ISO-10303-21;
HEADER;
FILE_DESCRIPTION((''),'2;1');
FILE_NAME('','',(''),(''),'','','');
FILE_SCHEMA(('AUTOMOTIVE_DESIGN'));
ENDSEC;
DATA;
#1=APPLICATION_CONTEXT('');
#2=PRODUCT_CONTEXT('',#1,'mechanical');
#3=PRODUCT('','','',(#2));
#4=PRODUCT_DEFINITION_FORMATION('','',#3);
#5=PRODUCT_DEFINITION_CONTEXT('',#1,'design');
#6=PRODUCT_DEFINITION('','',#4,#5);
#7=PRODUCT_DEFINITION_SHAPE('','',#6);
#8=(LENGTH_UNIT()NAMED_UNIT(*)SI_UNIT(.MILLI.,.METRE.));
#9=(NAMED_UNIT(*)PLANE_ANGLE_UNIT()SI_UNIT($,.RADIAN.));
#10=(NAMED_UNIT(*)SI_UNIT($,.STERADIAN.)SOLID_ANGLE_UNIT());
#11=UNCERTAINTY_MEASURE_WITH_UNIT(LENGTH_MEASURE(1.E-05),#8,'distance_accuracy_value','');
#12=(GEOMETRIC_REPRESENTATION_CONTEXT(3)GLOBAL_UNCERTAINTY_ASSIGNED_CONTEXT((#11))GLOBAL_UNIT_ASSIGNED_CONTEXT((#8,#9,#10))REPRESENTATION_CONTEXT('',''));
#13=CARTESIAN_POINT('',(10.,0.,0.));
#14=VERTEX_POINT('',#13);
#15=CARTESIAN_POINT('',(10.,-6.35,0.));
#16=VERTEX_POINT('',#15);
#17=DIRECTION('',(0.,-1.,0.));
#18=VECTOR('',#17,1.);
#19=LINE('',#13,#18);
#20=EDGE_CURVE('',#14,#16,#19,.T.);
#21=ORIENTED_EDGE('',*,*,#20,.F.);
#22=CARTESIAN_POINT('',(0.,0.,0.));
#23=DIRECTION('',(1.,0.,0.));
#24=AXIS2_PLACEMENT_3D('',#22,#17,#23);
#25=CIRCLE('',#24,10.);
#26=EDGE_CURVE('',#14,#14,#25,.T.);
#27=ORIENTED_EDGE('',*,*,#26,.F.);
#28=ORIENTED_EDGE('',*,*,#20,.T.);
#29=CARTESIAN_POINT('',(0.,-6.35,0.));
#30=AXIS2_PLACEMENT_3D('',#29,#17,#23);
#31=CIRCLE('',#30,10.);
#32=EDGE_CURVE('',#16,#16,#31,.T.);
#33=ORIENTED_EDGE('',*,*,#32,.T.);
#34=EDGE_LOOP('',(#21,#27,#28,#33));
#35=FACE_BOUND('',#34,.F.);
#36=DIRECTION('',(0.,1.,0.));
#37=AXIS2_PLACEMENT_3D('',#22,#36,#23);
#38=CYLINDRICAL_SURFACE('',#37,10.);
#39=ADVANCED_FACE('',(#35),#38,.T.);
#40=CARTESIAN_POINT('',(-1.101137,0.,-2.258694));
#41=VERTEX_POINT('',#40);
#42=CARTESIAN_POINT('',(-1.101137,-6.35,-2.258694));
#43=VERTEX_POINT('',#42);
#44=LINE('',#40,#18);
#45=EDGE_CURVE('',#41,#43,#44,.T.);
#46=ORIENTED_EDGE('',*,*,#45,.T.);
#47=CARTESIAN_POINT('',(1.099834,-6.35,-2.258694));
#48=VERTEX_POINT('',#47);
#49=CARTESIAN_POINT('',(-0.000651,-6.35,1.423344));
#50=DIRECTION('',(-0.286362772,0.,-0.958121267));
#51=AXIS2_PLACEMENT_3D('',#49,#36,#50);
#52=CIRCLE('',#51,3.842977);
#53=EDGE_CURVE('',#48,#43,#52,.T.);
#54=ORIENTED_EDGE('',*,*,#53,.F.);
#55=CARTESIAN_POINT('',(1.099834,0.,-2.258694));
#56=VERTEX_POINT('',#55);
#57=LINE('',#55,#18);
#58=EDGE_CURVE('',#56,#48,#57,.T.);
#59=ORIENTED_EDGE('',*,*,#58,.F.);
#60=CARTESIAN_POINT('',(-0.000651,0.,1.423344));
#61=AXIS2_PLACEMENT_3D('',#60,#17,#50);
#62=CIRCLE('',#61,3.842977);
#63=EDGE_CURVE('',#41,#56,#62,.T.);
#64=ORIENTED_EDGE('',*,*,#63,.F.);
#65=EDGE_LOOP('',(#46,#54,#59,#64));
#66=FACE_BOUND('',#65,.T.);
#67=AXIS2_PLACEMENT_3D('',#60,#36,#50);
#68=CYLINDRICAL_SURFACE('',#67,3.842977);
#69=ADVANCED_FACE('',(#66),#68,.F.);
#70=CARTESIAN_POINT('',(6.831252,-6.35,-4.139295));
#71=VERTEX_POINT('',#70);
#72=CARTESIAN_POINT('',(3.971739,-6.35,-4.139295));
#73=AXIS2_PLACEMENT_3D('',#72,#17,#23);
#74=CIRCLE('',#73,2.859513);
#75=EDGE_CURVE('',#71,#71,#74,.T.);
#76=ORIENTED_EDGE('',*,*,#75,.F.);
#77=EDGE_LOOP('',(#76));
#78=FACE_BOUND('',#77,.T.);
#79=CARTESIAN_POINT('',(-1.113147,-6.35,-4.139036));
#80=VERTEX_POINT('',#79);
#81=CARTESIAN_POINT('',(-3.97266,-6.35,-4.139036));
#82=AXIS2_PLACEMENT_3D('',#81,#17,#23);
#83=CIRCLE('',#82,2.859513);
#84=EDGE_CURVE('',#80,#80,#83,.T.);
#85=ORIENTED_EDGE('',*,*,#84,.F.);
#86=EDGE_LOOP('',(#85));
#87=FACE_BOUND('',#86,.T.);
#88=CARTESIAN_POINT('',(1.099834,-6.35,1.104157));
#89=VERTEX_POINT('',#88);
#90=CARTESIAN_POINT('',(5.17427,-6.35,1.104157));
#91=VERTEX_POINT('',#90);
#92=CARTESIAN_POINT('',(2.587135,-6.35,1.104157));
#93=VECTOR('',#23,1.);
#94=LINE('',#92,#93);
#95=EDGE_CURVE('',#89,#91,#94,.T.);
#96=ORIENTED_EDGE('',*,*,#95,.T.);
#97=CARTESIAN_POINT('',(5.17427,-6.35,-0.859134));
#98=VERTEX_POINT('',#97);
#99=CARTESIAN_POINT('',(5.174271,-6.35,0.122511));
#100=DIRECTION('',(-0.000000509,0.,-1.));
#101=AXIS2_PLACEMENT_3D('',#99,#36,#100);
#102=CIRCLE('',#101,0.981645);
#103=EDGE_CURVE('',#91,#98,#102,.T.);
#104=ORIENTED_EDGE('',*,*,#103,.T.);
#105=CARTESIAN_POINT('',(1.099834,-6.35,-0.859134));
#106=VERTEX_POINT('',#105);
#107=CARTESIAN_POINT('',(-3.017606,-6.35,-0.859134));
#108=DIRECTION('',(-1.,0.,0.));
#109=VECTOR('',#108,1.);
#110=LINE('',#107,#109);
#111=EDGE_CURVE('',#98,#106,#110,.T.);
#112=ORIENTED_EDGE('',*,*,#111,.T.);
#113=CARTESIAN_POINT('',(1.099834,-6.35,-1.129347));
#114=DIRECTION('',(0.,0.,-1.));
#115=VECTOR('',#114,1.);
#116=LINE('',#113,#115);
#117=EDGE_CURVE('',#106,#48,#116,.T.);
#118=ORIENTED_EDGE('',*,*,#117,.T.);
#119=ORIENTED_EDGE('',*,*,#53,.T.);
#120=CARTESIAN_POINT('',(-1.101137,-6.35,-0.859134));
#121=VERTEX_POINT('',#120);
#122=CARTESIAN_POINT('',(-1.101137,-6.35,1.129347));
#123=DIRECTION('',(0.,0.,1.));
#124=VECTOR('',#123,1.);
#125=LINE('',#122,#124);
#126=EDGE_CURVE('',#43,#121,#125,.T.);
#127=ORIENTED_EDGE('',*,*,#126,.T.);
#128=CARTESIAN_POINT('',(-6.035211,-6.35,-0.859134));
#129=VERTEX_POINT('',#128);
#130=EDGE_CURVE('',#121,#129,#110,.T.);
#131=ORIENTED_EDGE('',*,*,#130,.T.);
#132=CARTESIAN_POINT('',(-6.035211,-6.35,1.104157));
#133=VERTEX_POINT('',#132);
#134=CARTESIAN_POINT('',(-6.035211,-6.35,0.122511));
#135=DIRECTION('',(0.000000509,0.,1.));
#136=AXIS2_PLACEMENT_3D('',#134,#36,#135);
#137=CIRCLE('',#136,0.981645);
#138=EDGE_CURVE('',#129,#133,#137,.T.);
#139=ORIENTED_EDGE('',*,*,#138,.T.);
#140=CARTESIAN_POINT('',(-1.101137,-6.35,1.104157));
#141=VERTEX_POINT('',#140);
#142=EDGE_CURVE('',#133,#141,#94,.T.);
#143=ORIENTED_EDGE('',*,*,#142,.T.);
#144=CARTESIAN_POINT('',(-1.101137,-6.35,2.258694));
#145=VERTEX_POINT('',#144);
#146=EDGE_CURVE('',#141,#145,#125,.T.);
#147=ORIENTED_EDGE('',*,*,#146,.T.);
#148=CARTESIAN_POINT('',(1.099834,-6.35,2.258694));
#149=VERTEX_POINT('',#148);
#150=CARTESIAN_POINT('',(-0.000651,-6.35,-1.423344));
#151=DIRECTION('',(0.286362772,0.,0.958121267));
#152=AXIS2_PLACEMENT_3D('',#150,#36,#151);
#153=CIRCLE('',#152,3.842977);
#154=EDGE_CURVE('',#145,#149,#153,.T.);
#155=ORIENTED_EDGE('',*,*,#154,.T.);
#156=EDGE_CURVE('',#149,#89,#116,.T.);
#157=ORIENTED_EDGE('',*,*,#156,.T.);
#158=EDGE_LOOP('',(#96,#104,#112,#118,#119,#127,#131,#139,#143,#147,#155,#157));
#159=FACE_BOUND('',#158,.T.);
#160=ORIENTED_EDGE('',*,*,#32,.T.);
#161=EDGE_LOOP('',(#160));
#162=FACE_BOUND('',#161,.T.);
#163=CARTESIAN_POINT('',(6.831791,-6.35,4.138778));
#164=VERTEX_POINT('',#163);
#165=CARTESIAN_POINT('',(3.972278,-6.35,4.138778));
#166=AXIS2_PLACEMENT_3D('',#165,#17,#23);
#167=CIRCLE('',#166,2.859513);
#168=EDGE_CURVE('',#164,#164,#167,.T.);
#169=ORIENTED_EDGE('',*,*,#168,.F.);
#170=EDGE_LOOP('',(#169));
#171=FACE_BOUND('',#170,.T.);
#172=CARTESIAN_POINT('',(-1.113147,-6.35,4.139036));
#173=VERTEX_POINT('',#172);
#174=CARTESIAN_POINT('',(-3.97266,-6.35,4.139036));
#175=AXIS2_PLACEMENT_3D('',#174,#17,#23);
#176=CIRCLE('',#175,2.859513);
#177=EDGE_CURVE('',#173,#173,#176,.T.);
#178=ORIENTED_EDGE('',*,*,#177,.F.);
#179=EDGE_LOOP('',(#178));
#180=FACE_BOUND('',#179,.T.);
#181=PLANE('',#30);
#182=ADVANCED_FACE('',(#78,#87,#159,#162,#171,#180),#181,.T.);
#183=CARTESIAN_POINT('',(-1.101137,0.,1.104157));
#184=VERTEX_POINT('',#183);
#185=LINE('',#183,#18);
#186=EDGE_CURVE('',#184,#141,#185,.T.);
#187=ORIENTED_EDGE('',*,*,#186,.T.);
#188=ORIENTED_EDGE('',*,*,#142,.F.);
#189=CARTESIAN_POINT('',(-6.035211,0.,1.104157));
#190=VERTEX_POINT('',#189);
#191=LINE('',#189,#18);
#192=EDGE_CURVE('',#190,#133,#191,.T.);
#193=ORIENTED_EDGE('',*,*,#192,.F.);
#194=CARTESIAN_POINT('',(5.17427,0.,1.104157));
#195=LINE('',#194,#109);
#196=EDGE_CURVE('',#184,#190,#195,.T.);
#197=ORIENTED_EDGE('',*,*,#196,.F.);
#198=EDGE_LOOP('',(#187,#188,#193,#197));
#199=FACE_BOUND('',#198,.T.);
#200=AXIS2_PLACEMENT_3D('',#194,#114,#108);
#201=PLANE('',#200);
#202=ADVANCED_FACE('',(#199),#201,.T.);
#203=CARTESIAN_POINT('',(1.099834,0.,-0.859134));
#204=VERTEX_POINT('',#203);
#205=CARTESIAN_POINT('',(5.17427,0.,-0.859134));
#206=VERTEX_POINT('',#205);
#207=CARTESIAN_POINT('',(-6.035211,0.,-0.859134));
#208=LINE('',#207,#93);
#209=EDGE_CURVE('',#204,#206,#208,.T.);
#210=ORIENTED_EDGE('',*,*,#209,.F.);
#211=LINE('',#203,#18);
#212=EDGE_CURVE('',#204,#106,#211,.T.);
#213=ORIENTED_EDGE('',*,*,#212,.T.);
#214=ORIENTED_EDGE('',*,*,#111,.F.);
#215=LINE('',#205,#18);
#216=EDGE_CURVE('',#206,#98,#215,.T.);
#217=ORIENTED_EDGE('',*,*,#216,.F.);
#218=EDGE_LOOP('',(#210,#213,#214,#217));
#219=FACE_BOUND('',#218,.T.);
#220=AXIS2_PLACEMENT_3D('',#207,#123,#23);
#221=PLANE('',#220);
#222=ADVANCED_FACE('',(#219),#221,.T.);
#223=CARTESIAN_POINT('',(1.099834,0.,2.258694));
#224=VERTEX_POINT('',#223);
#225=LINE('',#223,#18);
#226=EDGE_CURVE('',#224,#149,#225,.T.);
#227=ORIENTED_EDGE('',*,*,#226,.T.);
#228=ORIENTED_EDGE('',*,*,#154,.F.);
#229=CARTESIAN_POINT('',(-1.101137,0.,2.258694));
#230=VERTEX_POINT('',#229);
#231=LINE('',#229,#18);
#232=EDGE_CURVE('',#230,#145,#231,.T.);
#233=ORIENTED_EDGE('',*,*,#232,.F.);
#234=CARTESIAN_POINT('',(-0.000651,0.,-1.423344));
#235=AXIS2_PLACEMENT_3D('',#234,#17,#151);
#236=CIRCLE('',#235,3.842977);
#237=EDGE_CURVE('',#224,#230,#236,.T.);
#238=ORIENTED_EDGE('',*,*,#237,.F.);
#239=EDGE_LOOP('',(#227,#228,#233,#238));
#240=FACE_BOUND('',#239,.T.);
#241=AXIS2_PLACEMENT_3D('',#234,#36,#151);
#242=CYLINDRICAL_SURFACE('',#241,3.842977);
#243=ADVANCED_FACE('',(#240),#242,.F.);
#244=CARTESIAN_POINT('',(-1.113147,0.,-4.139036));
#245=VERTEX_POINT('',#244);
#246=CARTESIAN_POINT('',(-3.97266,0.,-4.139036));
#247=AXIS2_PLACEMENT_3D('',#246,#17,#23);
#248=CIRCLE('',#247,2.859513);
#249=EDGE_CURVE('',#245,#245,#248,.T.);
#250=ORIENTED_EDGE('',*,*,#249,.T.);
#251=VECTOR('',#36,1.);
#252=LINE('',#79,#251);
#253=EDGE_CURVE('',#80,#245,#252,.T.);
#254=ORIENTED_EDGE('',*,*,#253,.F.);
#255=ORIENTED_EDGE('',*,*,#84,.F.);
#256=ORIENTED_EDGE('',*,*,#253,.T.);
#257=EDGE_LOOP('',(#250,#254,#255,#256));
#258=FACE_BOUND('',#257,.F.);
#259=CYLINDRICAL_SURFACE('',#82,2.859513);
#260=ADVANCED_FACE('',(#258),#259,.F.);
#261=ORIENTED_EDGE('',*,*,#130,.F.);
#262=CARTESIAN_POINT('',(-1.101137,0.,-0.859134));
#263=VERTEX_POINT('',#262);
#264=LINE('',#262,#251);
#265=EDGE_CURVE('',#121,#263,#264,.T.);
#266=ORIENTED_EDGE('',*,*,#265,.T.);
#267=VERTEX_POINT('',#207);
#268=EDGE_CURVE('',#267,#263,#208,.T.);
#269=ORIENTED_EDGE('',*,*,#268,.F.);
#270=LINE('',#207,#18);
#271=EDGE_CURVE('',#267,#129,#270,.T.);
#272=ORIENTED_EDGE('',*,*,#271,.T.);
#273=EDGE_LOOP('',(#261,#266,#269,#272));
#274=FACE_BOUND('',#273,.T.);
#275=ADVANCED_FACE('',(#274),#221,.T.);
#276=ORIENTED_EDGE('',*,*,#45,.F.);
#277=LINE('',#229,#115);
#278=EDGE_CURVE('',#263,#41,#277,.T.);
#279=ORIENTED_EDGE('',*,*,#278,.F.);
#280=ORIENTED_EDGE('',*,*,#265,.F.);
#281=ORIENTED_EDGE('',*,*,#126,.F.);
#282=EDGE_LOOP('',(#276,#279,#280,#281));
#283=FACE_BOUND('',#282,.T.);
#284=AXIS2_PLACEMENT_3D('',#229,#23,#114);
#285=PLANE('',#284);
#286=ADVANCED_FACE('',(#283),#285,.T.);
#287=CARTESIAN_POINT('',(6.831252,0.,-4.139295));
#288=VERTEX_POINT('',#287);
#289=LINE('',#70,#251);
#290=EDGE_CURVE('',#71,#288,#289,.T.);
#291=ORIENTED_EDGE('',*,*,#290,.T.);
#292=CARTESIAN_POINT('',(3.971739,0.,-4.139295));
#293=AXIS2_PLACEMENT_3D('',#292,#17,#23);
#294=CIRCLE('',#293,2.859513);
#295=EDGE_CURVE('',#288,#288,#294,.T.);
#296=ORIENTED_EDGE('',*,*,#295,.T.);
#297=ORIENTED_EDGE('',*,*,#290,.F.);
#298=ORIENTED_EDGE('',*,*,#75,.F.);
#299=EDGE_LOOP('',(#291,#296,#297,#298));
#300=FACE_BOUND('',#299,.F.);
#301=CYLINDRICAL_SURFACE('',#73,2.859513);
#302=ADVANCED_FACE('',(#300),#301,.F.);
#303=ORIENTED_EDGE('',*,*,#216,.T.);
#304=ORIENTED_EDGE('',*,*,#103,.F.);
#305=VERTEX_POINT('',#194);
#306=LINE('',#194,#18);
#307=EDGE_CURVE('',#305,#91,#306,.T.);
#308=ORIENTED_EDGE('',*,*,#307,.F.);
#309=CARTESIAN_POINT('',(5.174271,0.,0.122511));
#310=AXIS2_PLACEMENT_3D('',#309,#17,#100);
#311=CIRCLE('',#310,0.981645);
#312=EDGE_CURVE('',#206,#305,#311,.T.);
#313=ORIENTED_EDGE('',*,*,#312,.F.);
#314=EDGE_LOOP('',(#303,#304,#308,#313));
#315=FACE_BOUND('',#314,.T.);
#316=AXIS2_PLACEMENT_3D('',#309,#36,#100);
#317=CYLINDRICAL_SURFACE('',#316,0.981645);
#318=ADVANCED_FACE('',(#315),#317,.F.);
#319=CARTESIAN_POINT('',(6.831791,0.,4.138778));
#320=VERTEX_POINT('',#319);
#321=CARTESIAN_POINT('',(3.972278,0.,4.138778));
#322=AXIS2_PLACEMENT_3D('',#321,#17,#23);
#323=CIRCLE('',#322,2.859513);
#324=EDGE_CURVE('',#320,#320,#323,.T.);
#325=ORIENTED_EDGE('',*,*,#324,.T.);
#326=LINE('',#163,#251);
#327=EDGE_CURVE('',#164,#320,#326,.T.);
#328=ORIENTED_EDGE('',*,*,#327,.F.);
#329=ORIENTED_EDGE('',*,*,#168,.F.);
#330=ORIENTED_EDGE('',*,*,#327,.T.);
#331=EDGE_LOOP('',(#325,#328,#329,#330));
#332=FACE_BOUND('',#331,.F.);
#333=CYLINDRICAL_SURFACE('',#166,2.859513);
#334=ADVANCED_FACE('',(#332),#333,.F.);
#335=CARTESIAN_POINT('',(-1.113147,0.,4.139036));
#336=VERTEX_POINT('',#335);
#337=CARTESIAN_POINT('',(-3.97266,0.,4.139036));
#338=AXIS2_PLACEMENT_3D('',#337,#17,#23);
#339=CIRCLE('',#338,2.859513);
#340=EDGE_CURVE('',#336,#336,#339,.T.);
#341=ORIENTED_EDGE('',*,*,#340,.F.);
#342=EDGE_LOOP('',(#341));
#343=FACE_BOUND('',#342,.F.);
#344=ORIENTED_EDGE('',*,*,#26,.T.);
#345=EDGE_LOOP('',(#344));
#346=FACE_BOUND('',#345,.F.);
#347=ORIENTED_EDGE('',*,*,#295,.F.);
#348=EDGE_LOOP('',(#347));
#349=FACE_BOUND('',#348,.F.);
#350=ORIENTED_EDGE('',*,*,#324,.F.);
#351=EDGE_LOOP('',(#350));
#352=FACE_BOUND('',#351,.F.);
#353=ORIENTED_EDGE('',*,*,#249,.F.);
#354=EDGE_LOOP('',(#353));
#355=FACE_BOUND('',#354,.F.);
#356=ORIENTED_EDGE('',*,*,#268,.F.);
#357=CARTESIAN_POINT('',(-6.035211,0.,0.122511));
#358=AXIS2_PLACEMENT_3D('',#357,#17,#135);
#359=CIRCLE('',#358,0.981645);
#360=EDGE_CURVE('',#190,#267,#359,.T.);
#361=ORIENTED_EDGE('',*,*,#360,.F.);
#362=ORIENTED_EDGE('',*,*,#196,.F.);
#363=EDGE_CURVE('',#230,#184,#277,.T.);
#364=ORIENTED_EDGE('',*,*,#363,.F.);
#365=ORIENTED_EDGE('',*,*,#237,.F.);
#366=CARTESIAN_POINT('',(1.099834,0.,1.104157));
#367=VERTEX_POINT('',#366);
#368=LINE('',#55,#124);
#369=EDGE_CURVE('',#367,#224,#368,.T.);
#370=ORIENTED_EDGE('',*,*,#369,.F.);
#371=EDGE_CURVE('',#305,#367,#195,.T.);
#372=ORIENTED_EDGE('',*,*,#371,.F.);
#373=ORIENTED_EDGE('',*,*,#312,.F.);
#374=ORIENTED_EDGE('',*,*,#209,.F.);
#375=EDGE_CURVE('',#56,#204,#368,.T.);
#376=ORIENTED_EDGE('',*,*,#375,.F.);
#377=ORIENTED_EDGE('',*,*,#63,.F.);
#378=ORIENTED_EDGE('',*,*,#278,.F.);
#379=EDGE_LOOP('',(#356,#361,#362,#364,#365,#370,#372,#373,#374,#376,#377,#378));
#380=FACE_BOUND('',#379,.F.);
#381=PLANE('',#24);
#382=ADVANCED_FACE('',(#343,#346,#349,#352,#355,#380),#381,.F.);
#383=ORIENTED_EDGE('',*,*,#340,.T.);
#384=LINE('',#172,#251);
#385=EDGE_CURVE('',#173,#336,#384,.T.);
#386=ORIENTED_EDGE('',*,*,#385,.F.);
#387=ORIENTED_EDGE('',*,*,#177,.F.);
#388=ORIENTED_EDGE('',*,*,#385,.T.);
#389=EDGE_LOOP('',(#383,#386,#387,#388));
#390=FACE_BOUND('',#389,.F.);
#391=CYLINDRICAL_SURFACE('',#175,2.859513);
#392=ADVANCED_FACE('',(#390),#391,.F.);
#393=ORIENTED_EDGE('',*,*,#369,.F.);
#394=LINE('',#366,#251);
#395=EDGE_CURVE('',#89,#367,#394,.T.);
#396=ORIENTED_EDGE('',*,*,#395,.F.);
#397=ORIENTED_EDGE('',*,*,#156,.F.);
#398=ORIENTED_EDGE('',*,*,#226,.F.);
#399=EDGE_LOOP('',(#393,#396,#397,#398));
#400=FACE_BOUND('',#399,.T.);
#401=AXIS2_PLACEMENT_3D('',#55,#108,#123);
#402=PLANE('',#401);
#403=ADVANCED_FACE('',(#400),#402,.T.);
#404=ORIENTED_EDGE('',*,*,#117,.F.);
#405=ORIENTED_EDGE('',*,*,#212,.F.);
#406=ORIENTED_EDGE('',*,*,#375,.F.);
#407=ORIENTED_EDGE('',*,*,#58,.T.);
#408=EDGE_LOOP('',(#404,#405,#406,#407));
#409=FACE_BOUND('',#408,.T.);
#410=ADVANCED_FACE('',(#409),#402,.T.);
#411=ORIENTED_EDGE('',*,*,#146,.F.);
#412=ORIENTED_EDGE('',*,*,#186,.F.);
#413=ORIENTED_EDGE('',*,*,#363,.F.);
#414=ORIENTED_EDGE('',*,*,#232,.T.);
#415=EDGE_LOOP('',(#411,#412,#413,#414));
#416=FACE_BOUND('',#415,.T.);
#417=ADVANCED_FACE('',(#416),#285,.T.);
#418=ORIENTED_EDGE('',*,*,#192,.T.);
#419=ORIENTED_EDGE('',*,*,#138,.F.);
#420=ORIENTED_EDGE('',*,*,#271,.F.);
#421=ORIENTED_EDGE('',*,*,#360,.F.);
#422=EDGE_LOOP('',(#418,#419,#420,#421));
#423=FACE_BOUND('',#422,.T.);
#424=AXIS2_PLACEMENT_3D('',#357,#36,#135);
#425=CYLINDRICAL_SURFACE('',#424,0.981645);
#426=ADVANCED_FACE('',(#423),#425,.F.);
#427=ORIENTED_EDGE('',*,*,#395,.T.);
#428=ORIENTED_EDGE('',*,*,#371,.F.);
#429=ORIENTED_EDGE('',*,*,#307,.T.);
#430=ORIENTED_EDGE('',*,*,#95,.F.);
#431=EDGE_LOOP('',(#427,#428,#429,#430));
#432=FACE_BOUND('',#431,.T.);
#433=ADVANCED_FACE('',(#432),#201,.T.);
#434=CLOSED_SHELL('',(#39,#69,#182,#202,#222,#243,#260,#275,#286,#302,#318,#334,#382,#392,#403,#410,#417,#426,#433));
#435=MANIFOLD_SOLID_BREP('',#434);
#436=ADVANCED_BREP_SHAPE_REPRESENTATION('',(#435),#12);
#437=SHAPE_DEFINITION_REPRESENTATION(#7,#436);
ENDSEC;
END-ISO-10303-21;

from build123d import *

# Parameters (mm, degrees)
F0_R     = 10
F1_DEPTH = 6.35
F3_DEPTH = 25.4
F5_DEPTH = 25.4
F6_R     = 2.859513
F7_DEPTH = 25.4


with BuildPart() as f1:
    # F0 (on Front) → F1 (new body)
    with BuildSketch(Plane.XZ):
        Circle(F0_R)
    extrude(amount=F1_DEPTH)

    # F2 (on Front) → F3 (cut)
    with BuildSketch(Plane.XZ):
        with BuildLine():
            Line((5.17427, 1.104157), (-6.035211, 1.104157))
            ThreePointArc((-6.035211, 1.104157), (-7.016857, 0.122512), (-6.035211, -0.859134))
            Line((-6.035211, -0.859134), (5.17427, -0.859134))
            ThreePointArc((5.17427, -0.859134), (6.155916, 0.122512), (5.17427, 1.104157))
        make_face()
    extrude(amount=F3_DEPTH, mode=Mode.SUBTRACT)

    # F4 (on Front) → F5 (cut)
    with BuildSketch(Plane.XZ):
        with BuildLine():
            Line((1.099834, -2.258694), (1.099834, 0))
            Line((1.099834, 0), (1.099834, 2.258694))
            ThreePointArc((1.099834, 2.258694), (-0.000652, 2.419633), (-1.101137, 2.258694))
            Line((-1.101137, 2.258694), (-1.101137, 0))
            Line((-1.101137, 0), (-1.101137, -2.258694))
            ThreePointArc((-1.101137, -2.258694), (-0.000652, -2.419633), (1.099834, -2.258694))
        make_face()
    extrude(amount=F5_DEPTH, mode=Mode.SUBTRACT)

    # F6 (on face) → F7 (cut)
    with BuildSketch(Plane.XZ.offset(6.35)):
        with Locations((-3.97266, 4.139036)):
            Circle(F6_R)
        with Locations((-3.97266, -4.139036)):
            Circle(F6_R)
        with Locations((3.972278, 4.138778)):
            Circle(F6_R)
        with Locations((3.971739, -4.139295)):
            Circle(F6_R)
    extrude(amount=-F7_DEPTH, mode=Mode.SUBTRACT)


solid = f1.part
